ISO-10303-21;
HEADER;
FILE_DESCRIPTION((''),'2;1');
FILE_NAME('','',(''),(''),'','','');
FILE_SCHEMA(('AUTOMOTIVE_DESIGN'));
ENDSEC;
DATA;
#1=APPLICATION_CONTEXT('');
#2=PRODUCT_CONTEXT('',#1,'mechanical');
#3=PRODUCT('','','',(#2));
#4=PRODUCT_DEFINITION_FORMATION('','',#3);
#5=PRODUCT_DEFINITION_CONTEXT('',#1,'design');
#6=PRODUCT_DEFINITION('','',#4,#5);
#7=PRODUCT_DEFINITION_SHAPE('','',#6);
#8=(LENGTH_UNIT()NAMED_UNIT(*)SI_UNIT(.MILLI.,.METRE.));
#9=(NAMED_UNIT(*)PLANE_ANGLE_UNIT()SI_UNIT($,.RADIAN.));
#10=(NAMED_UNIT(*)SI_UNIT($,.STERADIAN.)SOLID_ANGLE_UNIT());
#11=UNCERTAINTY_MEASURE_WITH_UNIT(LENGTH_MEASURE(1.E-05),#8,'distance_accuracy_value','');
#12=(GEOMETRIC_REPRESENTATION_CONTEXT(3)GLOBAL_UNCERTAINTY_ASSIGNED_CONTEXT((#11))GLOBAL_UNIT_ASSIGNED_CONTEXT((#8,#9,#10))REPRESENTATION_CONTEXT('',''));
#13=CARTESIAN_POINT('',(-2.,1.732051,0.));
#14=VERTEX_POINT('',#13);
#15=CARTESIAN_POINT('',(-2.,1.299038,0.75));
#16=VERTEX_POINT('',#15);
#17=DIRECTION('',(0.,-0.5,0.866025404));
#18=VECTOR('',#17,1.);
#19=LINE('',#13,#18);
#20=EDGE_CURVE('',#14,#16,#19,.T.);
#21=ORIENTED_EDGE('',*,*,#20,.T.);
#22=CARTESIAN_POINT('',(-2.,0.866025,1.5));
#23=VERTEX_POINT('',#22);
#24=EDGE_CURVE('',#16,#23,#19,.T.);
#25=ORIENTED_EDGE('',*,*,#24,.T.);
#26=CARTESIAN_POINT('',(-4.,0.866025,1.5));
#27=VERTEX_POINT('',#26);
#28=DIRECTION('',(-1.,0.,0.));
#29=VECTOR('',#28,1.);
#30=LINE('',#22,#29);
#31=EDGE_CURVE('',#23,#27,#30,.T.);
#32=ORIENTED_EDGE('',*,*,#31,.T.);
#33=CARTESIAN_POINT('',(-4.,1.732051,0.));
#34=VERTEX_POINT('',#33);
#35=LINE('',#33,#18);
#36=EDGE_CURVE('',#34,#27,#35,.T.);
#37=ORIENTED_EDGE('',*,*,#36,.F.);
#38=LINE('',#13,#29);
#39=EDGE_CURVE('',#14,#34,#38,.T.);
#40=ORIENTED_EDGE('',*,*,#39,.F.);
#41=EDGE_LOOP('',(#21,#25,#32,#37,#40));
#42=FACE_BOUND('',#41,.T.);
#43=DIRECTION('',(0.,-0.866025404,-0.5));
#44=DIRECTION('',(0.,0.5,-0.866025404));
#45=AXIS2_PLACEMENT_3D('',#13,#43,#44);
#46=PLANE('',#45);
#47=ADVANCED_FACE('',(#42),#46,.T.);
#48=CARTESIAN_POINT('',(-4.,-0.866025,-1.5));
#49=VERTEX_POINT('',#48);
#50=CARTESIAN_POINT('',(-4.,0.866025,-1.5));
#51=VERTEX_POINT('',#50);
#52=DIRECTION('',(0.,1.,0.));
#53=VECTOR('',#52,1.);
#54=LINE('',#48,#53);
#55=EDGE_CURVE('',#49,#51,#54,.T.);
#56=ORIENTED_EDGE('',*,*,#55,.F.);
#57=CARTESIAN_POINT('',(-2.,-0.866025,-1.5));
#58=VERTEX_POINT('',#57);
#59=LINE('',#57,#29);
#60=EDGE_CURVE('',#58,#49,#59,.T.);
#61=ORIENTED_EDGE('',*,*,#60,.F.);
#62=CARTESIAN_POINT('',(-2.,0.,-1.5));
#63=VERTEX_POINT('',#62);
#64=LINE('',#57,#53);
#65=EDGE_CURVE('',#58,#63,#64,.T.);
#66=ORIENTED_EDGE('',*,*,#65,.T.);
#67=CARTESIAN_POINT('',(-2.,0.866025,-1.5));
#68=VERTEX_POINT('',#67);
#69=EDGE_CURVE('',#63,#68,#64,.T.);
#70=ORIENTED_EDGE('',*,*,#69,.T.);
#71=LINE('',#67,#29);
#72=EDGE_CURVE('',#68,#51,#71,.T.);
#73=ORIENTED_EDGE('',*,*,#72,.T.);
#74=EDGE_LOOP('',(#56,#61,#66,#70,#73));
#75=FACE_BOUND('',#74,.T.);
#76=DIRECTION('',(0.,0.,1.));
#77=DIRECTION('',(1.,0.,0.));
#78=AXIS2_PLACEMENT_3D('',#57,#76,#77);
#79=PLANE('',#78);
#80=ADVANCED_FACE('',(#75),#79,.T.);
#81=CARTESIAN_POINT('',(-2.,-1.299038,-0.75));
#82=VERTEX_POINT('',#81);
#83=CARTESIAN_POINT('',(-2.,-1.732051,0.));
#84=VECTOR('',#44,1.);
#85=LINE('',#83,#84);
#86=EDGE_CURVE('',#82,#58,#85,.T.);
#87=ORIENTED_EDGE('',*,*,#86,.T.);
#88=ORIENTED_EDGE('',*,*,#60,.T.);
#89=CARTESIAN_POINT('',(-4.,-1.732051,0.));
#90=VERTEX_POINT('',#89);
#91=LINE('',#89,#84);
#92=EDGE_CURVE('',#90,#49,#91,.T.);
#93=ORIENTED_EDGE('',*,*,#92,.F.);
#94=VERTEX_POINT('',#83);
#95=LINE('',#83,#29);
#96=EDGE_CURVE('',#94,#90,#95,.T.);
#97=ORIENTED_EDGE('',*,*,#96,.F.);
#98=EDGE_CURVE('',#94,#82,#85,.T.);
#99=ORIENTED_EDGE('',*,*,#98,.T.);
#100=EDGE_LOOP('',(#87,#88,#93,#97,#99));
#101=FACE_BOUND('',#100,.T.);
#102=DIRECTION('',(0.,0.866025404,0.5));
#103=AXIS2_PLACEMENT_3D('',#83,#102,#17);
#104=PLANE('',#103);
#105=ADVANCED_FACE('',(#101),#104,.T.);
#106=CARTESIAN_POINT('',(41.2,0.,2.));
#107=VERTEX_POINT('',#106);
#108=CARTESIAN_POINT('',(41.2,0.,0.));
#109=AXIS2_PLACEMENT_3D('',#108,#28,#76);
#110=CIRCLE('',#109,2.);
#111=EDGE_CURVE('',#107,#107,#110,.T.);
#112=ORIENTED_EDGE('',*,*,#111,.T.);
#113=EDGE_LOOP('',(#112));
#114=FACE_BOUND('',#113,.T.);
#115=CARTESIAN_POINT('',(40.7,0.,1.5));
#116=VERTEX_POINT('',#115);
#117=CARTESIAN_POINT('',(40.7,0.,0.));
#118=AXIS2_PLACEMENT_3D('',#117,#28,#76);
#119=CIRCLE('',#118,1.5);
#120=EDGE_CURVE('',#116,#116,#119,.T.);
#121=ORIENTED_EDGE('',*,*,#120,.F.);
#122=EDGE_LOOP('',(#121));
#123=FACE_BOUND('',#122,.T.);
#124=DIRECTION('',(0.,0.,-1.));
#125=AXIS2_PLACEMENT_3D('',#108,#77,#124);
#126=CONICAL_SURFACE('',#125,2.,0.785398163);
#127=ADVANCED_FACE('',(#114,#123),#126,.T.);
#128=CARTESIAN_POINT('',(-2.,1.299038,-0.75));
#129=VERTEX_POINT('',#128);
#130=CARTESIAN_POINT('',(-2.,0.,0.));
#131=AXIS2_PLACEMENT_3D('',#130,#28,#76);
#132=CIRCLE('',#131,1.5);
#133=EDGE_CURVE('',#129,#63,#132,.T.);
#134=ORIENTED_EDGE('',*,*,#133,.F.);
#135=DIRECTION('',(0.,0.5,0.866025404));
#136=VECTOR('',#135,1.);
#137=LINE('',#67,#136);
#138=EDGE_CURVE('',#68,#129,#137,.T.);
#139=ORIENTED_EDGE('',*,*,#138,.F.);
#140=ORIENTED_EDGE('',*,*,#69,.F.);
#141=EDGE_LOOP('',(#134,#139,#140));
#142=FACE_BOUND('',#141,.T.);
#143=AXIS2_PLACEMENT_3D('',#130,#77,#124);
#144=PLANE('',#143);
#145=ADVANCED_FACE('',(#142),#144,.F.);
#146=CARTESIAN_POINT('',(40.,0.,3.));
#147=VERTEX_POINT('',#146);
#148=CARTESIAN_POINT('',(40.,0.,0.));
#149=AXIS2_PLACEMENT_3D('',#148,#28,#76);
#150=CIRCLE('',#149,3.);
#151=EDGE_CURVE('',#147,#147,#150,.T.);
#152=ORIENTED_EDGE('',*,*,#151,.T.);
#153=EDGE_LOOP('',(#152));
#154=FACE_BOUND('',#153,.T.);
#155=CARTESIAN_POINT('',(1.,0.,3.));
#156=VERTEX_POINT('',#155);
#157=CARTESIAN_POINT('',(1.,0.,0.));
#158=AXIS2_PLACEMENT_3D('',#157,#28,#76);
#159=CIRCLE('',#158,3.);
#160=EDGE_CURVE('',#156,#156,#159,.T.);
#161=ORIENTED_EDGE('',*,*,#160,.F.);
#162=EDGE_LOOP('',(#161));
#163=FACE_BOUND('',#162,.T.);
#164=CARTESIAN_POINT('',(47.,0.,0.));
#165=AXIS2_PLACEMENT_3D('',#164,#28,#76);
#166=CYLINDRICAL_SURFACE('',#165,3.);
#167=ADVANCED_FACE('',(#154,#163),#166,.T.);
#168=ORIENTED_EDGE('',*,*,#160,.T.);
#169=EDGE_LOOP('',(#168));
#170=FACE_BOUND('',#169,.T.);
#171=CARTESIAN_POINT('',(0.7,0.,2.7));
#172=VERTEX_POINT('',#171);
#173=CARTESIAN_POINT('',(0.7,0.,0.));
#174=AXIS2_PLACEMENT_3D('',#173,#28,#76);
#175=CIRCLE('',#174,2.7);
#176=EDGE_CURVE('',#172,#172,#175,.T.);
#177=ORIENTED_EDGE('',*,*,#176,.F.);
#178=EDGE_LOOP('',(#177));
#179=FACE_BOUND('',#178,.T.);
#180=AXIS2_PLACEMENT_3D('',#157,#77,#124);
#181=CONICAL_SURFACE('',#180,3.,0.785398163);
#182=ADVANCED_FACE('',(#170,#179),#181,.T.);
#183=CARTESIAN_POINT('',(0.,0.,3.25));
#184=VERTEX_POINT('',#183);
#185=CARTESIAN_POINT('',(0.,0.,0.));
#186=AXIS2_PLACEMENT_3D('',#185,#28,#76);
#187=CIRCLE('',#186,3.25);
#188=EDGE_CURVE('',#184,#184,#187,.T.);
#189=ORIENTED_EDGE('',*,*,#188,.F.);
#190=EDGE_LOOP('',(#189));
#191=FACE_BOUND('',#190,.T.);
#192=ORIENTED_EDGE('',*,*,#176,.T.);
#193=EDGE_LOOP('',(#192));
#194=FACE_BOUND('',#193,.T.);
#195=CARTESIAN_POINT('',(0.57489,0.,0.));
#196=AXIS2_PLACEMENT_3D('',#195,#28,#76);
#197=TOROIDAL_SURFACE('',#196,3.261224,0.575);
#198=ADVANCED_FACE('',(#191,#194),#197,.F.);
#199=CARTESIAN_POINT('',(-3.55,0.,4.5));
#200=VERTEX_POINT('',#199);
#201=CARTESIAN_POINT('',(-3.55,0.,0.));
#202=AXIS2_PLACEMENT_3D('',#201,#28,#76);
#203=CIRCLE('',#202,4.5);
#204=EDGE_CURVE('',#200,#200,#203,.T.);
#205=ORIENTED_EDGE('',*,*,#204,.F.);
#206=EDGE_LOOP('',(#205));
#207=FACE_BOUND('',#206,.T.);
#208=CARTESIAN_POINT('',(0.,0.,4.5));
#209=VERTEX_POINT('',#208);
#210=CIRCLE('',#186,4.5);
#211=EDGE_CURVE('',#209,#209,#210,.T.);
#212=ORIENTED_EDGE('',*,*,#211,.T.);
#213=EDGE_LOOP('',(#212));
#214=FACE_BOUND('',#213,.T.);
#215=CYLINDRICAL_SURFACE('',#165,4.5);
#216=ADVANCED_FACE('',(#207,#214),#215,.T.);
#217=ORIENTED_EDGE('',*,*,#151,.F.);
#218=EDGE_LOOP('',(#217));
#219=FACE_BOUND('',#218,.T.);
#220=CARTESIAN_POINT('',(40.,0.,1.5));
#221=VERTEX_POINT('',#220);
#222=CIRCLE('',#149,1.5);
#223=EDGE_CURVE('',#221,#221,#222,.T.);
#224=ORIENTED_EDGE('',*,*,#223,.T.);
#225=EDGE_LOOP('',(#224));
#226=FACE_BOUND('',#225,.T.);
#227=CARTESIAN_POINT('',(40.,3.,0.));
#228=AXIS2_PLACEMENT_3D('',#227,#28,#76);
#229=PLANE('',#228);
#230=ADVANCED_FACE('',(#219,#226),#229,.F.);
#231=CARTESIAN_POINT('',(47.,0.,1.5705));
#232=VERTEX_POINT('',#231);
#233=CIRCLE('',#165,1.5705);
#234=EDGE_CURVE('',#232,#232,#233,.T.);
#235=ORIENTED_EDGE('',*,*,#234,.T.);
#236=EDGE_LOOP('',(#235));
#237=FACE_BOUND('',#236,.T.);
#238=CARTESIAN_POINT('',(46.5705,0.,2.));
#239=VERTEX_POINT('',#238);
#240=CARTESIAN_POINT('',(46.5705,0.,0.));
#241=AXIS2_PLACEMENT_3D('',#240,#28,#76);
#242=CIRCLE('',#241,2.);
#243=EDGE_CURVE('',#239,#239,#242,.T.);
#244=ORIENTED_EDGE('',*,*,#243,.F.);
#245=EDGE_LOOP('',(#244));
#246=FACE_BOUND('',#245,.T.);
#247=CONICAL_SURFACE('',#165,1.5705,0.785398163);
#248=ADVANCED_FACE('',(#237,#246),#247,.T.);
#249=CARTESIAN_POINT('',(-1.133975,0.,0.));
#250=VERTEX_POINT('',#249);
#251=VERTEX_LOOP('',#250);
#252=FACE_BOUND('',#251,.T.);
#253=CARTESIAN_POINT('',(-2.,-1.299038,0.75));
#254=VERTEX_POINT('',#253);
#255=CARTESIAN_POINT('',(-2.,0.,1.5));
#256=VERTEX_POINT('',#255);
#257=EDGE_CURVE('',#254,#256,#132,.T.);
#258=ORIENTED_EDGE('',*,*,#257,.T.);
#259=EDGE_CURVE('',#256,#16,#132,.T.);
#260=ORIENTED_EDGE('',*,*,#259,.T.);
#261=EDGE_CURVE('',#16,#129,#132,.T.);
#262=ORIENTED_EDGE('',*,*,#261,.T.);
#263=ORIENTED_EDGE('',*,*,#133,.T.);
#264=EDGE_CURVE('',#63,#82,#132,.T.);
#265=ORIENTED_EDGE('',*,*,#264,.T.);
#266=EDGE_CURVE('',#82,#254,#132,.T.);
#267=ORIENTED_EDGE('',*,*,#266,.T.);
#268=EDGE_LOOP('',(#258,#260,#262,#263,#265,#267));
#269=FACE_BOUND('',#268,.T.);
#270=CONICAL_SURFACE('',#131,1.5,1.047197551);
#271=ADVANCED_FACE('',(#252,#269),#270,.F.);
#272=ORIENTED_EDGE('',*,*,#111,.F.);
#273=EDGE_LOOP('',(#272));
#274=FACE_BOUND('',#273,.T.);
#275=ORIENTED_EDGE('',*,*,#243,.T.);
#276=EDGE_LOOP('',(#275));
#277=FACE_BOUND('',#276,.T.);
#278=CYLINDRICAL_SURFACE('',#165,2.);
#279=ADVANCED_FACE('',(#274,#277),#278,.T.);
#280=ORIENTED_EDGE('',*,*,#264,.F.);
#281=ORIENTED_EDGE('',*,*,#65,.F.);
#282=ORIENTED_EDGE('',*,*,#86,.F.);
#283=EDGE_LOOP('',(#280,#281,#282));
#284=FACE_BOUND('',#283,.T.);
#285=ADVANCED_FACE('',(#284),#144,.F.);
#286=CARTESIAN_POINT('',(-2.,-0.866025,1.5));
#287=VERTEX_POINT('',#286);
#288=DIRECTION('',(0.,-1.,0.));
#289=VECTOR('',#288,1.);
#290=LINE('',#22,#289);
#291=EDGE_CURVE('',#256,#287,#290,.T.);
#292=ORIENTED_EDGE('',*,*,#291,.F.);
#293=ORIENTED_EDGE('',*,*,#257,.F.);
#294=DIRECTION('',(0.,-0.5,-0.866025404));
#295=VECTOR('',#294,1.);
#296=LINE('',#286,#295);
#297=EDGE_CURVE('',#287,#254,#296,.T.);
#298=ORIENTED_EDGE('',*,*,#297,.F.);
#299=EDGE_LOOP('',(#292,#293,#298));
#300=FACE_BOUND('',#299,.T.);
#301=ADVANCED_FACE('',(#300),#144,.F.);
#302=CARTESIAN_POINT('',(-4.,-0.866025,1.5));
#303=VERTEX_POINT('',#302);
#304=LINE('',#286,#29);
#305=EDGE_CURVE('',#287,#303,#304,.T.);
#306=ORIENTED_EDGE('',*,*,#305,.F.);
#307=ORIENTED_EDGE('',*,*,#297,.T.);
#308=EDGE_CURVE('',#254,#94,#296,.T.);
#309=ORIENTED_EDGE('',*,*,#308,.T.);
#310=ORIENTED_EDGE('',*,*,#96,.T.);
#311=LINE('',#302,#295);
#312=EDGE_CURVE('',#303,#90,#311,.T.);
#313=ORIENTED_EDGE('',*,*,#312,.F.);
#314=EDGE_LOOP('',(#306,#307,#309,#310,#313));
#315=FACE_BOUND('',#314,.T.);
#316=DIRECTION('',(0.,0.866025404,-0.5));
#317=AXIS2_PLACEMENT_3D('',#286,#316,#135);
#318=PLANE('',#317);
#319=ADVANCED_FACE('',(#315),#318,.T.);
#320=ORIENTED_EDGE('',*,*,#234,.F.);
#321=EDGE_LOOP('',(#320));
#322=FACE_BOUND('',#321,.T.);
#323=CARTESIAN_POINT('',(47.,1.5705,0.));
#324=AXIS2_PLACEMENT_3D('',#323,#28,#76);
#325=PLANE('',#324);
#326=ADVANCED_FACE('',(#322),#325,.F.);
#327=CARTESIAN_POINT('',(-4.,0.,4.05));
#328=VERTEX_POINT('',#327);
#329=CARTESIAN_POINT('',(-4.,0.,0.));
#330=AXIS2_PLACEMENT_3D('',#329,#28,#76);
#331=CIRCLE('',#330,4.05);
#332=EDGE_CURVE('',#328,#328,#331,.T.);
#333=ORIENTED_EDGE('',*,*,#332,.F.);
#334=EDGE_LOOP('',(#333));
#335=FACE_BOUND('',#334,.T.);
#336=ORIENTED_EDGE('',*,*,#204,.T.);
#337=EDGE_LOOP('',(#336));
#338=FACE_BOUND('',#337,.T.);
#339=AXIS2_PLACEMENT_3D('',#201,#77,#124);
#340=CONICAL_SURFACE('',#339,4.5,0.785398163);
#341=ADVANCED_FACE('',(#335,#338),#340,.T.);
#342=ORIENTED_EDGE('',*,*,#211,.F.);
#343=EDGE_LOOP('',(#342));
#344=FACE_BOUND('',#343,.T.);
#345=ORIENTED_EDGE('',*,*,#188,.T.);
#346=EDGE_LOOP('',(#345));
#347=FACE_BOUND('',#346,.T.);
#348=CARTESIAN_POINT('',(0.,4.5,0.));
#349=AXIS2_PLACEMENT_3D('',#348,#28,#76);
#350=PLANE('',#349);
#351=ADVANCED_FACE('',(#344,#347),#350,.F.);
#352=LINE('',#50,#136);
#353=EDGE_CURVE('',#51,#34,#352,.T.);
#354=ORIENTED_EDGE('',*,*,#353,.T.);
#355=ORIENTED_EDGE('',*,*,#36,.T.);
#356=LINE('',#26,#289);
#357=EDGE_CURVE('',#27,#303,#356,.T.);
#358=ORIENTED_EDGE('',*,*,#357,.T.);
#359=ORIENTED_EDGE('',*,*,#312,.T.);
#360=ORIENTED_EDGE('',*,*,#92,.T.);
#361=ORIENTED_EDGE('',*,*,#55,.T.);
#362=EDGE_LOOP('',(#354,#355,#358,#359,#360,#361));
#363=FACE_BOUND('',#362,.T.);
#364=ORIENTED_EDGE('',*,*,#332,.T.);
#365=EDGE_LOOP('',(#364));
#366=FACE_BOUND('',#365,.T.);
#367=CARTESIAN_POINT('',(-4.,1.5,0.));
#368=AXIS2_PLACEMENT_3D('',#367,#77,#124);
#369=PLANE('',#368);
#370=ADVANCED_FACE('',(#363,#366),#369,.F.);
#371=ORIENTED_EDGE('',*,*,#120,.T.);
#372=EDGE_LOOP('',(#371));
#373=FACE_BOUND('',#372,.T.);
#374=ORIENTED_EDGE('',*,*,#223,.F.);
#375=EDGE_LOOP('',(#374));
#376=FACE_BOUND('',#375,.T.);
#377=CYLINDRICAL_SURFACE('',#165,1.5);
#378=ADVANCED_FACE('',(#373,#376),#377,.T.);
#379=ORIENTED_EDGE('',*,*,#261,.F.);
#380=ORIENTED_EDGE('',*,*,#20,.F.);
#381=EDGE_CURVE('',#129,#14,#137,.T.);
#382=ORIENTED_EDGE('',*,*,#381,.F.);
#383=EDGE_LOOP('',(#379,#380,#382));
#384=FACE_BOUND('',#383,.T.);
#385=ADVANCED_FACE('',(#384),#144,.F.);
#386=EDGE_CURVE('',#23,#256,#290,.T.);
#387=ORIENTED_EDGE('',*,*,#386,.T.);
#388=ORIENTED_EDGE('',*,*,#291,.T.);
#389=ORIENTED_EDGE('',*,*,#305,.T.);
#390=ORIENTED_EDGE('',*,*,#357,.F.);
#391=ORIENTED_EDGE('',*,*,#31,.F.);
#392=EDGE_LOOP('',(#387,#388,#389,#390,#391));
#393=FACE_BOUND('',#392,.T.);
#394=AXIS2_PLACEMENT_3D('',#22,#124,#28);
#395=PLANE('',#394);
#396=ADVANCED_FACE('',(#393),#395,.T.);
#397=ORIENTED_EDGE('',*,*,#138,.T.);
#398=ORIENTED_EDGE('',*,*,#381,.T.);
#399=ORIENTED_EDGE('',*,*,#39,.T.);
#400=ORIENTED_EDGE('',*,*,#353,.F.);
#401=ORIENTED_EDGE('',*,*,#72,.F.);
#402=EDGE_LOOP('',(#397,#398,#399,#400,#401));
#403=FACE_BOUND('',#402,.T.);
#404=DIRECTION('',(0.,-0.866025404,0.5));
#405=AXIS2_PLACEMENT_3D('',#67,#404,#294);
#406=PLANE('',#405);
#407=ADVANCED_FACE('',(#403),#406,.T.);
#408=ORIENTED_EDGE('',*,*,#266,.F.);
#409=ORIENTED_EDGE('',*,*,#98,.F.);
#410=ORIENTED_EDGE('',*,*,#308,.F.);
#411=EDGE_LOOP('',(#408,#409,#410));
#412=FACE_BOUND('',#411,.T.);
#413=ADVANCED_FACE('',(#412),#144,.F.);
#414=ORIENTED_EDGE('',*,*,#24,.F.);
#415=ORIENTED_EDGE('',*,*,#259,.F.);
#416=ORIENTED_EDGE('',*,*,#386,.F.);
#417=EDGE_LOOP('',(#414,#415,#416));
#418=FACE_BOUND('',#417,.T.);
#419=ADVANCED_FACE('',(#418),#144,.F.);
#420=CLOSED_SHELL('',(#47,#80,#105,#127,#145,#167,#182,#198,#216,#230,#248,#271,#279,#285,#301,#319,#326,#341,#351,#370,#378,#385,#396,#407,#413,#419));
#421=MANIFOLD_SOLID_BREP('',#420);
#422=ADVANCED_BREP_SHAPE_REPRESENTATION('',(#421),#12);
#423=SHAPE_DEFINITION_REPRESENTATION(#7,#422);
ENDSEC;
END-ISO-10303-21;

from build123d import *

# Parameters (mm, degrees)
ENL_V_MAT_EXTRU_1_DEPTH = 2


with BuildPart() as part:
    # Esquisse1 → Révolution1 (revolve)
    with BuildSketch(Plane.XY, mode=Mode.PRIVATE) as r_volution1_sk:
        with BuildLine():
            Line((-1.133974596, 0), (-2, 1.5))
            Line((-2, 1.5), (-4, 1.5))
            Line((-4, 1.5), (-4, 4.05))
            Line((-4, 4.05), (-3.55, 4.5))
            Line((-3.55, 4.5), (0, 4.5))
            Line((0, 4.5), (0, 3.25))
            ThreePointArc((0, 3.25), (0.219643047, 2.809091151), (0.7, 2.7))
            Line((0.7, 2.7), (1, 3))
            Line((1, 3), (40, 3))
            Line((40, 3), (40, 1.5))
            Line((40, 1.5), (40.7, 1.5))
            Line((40.7, 1.5), (41.2, 2))
            Line((41.2, 2), (46.5705, 2))
            Line((46.5705, 2), (47, 1.5705))
            Line((47, 1.5705), (47, 0))
            Line((47, 0), (-1.133974596, 0))
        make_face()
    revolve(r_volution1_sk.sketch.rotate(Axis((47, 0, 0), (-1, 0, 0)), 270), axis=Axis((47, 0, 0), (-1, 0, 0)))

    # Esquisse2 → Enlèv. mat.-Extru.1 (cut)
    with BuildSketch(Plane(origin=(-4, 0, 0), x_dir=(0, 0, -1), z_dir=(1, 0, 0))):
        Polygon((-1.5, 0.866025404), (-1.5, -0.866025404), (0, -1.732050808), (1.5, -0.866025404), (1.5, 0.866025404), (0, 1.732050808), align=None)
    extrude(amount=ENL_V_MAT_EXTRU_1_DEPTH, mode=Mode.SUBTRACT)


solid = part.part
